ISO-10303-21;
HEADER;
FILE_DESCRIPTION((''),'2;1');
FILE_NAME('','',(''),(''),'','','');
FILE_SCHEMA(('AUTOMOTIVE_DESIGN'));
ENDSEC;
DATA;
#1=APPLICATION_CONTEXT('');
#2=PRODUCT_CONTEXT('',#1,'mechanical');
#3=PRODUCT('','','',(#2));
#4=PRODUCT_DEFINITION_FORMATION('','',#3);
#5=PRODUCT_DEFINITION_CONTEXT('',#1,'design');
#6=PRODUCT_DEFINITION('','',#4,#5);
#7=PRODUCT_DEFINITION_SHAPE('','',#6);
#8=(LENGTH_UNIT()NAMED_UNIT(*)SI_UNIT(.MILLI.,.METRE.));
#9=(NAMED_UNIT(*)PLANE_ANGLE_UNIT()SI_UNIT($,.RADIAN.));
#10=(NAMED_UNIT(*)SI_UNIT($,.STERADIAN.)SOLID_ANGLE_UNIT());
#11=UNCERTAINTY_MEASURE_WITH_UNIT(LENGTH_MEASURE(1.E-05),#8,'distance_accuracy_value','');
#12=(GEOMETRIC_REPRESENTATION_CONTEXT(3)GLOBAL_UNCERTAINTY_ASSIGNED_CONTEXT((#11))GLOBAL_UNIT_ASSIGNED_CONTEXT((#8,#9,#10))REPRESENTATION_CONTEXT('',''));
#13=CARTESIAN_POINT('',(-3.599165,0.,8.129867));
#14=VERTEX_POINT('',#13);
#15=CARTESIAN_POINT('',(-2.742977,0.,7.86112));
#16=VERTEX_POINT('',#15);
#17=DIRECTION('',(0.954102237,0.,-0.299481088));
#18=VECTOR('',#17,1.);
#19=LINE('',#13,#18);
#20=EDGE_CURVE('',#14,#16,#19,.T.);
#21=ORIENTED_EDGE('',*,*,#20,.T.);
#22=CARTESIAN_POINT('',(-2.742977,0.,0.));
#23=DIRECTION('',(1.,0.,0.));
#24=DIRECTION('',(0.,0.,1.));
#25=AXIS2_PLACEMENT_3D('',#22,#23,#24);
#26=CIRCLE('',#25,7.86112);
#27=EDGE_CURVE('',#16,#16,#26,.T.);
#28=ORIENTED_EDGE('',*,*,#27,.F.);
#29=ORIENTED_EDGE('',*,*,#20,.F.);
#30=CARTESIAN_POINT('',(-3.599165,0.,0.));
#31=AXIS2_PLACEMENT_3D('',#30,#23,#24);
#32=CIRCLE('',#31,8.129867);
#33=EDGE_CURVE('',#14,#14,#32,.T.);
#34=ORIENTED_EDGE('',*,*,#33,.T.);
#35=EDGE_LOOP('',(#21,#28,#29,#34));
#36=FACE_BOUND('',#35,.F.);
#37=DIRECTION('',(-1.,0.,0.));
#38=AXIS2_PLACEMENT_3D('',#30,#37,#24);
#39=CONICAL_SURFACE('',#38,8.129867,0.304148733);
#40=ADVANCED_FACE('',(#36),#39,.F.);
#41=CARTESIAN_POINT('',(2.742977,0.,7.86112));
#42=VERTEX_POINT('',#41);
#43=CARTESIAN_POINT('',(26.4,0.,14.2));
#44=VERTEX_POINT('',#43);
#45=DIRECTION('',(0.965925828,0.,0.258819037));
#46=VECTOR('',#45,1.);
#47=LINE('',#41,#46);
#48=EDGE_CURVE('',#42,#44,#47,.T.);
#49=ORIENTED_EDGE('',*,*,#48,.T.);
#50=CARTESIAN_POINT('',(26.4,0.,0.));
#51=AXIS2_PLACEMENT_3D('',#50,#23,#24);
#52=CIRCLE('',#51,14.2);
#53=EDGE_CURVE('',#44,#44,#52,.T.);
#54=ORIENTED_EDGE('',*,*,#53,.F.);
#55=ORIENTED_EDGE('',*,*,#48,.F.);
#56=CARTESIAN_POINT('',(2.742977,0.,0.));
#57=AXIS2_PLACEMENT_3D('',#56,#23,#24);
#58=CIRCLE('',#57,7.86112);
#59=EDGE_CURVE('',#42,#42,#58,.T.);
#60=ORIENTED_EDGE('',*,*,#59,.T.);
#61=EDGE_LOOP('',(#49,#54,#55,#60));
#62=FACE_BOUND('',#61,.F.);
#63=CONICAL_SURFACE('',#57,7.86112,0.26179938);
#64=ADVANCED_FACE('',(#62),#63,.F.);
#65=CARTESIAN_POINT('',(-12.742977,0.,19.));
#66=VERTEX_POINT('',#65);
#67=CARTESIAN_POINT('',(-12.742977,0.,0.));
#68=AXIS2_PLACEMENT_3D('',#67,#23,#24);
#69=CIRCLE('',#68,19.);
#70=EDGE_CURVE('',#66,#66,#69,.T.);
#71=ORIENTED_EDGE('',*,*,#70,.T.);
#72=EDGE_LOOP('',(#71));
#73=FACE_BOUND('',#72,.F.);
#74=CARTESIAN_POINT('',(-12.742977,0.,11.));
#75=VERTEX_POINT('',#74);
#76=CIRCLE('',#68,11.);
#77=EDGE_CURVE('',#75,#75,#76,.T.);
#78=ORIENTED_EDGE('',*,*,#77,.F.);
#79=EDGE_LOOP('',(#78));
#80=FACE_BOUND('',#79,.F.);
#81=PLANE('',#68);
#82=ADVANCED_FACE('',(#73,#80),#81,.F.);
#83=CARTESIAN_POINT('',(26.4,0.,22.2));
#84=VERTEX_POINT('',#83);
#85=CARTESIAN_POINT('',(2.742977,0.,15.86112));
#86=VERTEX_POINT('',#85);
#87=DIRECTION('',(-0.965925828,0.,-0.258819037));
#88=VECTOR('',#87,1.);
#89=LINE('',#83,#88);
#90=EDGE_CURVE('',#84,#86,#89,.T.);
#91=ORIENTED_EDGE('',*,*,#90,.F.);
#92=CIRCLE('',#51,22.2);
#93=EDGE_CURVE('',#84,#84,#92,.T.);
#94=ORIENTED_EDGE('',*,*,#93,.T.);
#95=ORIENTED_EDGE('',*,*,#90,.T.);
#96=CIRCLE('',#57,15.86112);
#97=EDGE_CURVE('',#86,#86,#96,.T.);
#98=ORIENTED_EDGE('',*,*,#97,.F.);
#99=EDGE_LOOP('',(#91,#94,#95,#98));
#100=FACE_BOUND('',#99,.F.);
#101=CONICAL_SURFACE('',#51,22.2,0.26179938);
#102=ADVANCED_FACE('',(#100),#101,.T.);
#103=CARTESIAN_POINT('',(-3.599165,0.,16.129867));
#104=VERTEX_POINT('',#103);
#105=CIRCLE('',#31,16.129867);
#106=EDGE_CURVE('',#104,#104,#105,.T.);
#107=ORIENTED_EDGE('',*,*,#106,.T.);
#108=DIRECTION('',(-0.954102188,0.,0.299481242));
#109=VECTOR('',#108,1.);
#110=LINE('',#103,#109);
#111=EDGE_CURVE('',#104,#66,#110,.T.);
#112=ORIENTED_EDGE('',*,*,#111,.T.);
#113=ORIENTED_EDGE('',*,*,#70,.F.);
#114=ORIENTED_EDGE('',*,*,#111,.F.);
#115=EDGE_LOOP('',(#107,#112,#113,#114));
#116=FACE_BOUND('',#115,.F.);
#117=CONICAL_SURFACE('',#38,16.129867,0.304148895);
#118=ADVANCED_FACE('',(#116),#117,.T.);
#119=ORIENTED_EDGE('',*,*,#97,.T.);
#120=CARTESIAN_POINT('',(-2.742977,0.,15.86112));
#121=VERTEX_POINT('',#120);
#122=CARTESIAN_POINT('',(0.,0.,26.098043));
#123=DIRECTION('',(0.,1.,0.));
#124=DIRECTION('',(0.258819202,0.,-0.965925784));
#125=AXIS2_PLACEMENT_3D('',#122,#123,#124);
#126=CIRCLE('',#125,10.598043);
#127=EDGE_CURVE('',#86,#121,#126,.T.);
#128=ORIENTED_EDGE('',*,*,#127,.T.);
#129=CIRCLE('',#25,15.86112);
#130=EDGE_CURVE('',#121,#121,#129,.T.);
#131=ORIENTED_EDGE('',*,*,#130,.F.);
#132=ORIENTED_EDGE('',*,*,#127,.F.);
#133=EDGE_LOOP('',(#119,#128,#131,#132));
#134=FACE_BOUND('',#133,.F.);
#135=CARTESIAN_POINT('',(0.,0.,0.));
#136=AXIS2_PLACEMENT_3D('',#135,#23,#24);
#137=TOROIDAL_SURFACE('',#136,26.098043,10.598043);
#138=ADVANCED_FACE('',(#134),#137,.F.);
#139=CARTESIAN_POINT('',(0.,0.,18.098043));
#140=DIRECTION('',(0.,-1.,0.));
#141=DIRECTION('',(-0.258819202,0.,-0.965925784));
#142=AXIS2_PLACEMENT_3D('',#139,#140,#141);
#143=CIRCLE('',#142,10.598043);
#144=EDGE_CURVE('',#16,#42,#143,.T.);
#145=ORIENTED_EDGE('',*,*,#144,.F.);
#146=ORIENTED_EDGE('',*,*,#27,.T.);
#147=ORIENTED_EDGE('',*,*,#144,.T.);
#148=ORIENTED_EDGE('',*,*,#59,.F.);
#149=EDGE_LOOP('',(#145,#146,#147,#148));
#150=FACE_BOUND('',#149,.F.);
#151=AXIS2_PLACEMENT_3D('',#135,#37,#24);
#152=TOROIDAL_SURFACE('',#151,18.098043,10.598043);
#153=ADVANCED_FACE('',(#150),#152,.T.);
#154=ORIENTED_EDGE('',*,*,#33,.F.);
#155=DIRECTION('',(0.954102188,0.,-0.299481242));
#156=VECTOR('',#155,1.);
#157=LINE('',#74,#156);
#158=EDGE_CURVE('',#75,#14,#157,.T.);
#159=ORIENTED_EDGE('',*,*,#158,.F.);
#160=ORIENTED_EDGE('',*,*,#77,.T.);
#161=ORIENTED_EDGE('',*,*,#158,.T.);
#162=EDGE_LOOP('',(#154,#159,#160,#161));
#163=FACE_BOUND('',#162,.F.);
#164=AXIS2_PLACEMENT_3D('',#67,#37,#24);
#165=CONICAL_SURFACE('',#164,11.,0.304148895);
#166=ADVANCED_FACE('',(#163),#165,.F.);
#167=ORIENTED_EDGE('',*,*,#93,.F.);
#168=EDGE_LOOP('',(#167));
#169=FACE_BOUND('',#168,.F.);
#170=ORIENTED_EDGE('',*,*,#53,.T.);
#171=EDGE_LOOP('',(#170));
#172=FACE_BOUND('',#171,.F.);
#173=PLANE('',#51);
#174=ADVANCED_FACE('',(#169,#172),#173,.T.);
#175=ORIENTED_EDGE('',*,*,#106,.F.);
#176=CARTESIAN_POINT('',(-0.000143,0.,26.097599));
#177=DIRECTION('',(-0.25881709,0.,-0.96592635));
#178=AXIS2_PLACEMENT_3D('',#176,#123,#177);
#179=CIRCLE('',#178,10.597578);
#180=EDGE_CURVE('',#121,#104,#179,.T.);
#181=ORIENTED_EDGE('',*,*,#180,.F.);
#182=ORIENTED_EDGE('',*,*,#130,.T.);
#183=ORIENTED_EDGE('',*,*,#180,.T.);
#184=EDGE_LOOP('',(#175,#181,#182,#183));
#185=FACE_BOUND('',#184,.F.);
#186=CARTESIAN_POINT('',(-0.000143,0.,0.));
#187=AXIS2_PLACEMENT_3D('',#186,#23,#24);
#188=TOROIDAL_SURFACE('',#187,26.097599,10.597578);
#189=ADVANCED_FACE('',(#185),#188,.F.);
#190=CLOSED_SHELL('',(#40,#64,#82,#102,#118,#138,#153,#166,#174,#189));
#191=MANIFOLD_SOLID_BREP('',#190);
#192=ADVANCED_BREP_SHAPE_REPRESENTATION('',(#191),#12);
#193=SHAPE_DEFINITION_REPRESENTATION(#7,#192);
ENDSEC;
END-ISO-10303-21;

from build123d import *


with BuildPart() as f1:
    # F0 (on Front) → F1 (revolve)
    with BuildSketch(Plane.XZ):
        with BuildLine():
            Line((2.742977, 7.86112), (26.4, 14.2))
            Line((26.4, 14.2), (26.4, 22.2))
            Line((26.4, 22.2), (2.742977, 15.86112))
            ThreePointArc((2.742977, 15.86112), (0, 15.5), (-2.742977, 15.86112))
            ThreePointArc((-2.742977, 15.86112), (-3.173917, 15.986427), (-3.599165, 16.129867))
            Line((-3.599165, 16.129867), (-12.742977, 19))
            Line((-12.742977, 19), (-12.742977, 11))
            Line((-12.742977, 11), (-3.599165, 8.129867))
            Line((-3.599165, 8.129867), (-2.742977, 7.86112))
            ThreePointArc((-2.742977, 7.86112), (0, 7.5), (2.742977, 7.86112))
        make_face()
    revolve(axis=Axis((13.2, 0, 0), (1, 0, 0)))


solid = f1.part
